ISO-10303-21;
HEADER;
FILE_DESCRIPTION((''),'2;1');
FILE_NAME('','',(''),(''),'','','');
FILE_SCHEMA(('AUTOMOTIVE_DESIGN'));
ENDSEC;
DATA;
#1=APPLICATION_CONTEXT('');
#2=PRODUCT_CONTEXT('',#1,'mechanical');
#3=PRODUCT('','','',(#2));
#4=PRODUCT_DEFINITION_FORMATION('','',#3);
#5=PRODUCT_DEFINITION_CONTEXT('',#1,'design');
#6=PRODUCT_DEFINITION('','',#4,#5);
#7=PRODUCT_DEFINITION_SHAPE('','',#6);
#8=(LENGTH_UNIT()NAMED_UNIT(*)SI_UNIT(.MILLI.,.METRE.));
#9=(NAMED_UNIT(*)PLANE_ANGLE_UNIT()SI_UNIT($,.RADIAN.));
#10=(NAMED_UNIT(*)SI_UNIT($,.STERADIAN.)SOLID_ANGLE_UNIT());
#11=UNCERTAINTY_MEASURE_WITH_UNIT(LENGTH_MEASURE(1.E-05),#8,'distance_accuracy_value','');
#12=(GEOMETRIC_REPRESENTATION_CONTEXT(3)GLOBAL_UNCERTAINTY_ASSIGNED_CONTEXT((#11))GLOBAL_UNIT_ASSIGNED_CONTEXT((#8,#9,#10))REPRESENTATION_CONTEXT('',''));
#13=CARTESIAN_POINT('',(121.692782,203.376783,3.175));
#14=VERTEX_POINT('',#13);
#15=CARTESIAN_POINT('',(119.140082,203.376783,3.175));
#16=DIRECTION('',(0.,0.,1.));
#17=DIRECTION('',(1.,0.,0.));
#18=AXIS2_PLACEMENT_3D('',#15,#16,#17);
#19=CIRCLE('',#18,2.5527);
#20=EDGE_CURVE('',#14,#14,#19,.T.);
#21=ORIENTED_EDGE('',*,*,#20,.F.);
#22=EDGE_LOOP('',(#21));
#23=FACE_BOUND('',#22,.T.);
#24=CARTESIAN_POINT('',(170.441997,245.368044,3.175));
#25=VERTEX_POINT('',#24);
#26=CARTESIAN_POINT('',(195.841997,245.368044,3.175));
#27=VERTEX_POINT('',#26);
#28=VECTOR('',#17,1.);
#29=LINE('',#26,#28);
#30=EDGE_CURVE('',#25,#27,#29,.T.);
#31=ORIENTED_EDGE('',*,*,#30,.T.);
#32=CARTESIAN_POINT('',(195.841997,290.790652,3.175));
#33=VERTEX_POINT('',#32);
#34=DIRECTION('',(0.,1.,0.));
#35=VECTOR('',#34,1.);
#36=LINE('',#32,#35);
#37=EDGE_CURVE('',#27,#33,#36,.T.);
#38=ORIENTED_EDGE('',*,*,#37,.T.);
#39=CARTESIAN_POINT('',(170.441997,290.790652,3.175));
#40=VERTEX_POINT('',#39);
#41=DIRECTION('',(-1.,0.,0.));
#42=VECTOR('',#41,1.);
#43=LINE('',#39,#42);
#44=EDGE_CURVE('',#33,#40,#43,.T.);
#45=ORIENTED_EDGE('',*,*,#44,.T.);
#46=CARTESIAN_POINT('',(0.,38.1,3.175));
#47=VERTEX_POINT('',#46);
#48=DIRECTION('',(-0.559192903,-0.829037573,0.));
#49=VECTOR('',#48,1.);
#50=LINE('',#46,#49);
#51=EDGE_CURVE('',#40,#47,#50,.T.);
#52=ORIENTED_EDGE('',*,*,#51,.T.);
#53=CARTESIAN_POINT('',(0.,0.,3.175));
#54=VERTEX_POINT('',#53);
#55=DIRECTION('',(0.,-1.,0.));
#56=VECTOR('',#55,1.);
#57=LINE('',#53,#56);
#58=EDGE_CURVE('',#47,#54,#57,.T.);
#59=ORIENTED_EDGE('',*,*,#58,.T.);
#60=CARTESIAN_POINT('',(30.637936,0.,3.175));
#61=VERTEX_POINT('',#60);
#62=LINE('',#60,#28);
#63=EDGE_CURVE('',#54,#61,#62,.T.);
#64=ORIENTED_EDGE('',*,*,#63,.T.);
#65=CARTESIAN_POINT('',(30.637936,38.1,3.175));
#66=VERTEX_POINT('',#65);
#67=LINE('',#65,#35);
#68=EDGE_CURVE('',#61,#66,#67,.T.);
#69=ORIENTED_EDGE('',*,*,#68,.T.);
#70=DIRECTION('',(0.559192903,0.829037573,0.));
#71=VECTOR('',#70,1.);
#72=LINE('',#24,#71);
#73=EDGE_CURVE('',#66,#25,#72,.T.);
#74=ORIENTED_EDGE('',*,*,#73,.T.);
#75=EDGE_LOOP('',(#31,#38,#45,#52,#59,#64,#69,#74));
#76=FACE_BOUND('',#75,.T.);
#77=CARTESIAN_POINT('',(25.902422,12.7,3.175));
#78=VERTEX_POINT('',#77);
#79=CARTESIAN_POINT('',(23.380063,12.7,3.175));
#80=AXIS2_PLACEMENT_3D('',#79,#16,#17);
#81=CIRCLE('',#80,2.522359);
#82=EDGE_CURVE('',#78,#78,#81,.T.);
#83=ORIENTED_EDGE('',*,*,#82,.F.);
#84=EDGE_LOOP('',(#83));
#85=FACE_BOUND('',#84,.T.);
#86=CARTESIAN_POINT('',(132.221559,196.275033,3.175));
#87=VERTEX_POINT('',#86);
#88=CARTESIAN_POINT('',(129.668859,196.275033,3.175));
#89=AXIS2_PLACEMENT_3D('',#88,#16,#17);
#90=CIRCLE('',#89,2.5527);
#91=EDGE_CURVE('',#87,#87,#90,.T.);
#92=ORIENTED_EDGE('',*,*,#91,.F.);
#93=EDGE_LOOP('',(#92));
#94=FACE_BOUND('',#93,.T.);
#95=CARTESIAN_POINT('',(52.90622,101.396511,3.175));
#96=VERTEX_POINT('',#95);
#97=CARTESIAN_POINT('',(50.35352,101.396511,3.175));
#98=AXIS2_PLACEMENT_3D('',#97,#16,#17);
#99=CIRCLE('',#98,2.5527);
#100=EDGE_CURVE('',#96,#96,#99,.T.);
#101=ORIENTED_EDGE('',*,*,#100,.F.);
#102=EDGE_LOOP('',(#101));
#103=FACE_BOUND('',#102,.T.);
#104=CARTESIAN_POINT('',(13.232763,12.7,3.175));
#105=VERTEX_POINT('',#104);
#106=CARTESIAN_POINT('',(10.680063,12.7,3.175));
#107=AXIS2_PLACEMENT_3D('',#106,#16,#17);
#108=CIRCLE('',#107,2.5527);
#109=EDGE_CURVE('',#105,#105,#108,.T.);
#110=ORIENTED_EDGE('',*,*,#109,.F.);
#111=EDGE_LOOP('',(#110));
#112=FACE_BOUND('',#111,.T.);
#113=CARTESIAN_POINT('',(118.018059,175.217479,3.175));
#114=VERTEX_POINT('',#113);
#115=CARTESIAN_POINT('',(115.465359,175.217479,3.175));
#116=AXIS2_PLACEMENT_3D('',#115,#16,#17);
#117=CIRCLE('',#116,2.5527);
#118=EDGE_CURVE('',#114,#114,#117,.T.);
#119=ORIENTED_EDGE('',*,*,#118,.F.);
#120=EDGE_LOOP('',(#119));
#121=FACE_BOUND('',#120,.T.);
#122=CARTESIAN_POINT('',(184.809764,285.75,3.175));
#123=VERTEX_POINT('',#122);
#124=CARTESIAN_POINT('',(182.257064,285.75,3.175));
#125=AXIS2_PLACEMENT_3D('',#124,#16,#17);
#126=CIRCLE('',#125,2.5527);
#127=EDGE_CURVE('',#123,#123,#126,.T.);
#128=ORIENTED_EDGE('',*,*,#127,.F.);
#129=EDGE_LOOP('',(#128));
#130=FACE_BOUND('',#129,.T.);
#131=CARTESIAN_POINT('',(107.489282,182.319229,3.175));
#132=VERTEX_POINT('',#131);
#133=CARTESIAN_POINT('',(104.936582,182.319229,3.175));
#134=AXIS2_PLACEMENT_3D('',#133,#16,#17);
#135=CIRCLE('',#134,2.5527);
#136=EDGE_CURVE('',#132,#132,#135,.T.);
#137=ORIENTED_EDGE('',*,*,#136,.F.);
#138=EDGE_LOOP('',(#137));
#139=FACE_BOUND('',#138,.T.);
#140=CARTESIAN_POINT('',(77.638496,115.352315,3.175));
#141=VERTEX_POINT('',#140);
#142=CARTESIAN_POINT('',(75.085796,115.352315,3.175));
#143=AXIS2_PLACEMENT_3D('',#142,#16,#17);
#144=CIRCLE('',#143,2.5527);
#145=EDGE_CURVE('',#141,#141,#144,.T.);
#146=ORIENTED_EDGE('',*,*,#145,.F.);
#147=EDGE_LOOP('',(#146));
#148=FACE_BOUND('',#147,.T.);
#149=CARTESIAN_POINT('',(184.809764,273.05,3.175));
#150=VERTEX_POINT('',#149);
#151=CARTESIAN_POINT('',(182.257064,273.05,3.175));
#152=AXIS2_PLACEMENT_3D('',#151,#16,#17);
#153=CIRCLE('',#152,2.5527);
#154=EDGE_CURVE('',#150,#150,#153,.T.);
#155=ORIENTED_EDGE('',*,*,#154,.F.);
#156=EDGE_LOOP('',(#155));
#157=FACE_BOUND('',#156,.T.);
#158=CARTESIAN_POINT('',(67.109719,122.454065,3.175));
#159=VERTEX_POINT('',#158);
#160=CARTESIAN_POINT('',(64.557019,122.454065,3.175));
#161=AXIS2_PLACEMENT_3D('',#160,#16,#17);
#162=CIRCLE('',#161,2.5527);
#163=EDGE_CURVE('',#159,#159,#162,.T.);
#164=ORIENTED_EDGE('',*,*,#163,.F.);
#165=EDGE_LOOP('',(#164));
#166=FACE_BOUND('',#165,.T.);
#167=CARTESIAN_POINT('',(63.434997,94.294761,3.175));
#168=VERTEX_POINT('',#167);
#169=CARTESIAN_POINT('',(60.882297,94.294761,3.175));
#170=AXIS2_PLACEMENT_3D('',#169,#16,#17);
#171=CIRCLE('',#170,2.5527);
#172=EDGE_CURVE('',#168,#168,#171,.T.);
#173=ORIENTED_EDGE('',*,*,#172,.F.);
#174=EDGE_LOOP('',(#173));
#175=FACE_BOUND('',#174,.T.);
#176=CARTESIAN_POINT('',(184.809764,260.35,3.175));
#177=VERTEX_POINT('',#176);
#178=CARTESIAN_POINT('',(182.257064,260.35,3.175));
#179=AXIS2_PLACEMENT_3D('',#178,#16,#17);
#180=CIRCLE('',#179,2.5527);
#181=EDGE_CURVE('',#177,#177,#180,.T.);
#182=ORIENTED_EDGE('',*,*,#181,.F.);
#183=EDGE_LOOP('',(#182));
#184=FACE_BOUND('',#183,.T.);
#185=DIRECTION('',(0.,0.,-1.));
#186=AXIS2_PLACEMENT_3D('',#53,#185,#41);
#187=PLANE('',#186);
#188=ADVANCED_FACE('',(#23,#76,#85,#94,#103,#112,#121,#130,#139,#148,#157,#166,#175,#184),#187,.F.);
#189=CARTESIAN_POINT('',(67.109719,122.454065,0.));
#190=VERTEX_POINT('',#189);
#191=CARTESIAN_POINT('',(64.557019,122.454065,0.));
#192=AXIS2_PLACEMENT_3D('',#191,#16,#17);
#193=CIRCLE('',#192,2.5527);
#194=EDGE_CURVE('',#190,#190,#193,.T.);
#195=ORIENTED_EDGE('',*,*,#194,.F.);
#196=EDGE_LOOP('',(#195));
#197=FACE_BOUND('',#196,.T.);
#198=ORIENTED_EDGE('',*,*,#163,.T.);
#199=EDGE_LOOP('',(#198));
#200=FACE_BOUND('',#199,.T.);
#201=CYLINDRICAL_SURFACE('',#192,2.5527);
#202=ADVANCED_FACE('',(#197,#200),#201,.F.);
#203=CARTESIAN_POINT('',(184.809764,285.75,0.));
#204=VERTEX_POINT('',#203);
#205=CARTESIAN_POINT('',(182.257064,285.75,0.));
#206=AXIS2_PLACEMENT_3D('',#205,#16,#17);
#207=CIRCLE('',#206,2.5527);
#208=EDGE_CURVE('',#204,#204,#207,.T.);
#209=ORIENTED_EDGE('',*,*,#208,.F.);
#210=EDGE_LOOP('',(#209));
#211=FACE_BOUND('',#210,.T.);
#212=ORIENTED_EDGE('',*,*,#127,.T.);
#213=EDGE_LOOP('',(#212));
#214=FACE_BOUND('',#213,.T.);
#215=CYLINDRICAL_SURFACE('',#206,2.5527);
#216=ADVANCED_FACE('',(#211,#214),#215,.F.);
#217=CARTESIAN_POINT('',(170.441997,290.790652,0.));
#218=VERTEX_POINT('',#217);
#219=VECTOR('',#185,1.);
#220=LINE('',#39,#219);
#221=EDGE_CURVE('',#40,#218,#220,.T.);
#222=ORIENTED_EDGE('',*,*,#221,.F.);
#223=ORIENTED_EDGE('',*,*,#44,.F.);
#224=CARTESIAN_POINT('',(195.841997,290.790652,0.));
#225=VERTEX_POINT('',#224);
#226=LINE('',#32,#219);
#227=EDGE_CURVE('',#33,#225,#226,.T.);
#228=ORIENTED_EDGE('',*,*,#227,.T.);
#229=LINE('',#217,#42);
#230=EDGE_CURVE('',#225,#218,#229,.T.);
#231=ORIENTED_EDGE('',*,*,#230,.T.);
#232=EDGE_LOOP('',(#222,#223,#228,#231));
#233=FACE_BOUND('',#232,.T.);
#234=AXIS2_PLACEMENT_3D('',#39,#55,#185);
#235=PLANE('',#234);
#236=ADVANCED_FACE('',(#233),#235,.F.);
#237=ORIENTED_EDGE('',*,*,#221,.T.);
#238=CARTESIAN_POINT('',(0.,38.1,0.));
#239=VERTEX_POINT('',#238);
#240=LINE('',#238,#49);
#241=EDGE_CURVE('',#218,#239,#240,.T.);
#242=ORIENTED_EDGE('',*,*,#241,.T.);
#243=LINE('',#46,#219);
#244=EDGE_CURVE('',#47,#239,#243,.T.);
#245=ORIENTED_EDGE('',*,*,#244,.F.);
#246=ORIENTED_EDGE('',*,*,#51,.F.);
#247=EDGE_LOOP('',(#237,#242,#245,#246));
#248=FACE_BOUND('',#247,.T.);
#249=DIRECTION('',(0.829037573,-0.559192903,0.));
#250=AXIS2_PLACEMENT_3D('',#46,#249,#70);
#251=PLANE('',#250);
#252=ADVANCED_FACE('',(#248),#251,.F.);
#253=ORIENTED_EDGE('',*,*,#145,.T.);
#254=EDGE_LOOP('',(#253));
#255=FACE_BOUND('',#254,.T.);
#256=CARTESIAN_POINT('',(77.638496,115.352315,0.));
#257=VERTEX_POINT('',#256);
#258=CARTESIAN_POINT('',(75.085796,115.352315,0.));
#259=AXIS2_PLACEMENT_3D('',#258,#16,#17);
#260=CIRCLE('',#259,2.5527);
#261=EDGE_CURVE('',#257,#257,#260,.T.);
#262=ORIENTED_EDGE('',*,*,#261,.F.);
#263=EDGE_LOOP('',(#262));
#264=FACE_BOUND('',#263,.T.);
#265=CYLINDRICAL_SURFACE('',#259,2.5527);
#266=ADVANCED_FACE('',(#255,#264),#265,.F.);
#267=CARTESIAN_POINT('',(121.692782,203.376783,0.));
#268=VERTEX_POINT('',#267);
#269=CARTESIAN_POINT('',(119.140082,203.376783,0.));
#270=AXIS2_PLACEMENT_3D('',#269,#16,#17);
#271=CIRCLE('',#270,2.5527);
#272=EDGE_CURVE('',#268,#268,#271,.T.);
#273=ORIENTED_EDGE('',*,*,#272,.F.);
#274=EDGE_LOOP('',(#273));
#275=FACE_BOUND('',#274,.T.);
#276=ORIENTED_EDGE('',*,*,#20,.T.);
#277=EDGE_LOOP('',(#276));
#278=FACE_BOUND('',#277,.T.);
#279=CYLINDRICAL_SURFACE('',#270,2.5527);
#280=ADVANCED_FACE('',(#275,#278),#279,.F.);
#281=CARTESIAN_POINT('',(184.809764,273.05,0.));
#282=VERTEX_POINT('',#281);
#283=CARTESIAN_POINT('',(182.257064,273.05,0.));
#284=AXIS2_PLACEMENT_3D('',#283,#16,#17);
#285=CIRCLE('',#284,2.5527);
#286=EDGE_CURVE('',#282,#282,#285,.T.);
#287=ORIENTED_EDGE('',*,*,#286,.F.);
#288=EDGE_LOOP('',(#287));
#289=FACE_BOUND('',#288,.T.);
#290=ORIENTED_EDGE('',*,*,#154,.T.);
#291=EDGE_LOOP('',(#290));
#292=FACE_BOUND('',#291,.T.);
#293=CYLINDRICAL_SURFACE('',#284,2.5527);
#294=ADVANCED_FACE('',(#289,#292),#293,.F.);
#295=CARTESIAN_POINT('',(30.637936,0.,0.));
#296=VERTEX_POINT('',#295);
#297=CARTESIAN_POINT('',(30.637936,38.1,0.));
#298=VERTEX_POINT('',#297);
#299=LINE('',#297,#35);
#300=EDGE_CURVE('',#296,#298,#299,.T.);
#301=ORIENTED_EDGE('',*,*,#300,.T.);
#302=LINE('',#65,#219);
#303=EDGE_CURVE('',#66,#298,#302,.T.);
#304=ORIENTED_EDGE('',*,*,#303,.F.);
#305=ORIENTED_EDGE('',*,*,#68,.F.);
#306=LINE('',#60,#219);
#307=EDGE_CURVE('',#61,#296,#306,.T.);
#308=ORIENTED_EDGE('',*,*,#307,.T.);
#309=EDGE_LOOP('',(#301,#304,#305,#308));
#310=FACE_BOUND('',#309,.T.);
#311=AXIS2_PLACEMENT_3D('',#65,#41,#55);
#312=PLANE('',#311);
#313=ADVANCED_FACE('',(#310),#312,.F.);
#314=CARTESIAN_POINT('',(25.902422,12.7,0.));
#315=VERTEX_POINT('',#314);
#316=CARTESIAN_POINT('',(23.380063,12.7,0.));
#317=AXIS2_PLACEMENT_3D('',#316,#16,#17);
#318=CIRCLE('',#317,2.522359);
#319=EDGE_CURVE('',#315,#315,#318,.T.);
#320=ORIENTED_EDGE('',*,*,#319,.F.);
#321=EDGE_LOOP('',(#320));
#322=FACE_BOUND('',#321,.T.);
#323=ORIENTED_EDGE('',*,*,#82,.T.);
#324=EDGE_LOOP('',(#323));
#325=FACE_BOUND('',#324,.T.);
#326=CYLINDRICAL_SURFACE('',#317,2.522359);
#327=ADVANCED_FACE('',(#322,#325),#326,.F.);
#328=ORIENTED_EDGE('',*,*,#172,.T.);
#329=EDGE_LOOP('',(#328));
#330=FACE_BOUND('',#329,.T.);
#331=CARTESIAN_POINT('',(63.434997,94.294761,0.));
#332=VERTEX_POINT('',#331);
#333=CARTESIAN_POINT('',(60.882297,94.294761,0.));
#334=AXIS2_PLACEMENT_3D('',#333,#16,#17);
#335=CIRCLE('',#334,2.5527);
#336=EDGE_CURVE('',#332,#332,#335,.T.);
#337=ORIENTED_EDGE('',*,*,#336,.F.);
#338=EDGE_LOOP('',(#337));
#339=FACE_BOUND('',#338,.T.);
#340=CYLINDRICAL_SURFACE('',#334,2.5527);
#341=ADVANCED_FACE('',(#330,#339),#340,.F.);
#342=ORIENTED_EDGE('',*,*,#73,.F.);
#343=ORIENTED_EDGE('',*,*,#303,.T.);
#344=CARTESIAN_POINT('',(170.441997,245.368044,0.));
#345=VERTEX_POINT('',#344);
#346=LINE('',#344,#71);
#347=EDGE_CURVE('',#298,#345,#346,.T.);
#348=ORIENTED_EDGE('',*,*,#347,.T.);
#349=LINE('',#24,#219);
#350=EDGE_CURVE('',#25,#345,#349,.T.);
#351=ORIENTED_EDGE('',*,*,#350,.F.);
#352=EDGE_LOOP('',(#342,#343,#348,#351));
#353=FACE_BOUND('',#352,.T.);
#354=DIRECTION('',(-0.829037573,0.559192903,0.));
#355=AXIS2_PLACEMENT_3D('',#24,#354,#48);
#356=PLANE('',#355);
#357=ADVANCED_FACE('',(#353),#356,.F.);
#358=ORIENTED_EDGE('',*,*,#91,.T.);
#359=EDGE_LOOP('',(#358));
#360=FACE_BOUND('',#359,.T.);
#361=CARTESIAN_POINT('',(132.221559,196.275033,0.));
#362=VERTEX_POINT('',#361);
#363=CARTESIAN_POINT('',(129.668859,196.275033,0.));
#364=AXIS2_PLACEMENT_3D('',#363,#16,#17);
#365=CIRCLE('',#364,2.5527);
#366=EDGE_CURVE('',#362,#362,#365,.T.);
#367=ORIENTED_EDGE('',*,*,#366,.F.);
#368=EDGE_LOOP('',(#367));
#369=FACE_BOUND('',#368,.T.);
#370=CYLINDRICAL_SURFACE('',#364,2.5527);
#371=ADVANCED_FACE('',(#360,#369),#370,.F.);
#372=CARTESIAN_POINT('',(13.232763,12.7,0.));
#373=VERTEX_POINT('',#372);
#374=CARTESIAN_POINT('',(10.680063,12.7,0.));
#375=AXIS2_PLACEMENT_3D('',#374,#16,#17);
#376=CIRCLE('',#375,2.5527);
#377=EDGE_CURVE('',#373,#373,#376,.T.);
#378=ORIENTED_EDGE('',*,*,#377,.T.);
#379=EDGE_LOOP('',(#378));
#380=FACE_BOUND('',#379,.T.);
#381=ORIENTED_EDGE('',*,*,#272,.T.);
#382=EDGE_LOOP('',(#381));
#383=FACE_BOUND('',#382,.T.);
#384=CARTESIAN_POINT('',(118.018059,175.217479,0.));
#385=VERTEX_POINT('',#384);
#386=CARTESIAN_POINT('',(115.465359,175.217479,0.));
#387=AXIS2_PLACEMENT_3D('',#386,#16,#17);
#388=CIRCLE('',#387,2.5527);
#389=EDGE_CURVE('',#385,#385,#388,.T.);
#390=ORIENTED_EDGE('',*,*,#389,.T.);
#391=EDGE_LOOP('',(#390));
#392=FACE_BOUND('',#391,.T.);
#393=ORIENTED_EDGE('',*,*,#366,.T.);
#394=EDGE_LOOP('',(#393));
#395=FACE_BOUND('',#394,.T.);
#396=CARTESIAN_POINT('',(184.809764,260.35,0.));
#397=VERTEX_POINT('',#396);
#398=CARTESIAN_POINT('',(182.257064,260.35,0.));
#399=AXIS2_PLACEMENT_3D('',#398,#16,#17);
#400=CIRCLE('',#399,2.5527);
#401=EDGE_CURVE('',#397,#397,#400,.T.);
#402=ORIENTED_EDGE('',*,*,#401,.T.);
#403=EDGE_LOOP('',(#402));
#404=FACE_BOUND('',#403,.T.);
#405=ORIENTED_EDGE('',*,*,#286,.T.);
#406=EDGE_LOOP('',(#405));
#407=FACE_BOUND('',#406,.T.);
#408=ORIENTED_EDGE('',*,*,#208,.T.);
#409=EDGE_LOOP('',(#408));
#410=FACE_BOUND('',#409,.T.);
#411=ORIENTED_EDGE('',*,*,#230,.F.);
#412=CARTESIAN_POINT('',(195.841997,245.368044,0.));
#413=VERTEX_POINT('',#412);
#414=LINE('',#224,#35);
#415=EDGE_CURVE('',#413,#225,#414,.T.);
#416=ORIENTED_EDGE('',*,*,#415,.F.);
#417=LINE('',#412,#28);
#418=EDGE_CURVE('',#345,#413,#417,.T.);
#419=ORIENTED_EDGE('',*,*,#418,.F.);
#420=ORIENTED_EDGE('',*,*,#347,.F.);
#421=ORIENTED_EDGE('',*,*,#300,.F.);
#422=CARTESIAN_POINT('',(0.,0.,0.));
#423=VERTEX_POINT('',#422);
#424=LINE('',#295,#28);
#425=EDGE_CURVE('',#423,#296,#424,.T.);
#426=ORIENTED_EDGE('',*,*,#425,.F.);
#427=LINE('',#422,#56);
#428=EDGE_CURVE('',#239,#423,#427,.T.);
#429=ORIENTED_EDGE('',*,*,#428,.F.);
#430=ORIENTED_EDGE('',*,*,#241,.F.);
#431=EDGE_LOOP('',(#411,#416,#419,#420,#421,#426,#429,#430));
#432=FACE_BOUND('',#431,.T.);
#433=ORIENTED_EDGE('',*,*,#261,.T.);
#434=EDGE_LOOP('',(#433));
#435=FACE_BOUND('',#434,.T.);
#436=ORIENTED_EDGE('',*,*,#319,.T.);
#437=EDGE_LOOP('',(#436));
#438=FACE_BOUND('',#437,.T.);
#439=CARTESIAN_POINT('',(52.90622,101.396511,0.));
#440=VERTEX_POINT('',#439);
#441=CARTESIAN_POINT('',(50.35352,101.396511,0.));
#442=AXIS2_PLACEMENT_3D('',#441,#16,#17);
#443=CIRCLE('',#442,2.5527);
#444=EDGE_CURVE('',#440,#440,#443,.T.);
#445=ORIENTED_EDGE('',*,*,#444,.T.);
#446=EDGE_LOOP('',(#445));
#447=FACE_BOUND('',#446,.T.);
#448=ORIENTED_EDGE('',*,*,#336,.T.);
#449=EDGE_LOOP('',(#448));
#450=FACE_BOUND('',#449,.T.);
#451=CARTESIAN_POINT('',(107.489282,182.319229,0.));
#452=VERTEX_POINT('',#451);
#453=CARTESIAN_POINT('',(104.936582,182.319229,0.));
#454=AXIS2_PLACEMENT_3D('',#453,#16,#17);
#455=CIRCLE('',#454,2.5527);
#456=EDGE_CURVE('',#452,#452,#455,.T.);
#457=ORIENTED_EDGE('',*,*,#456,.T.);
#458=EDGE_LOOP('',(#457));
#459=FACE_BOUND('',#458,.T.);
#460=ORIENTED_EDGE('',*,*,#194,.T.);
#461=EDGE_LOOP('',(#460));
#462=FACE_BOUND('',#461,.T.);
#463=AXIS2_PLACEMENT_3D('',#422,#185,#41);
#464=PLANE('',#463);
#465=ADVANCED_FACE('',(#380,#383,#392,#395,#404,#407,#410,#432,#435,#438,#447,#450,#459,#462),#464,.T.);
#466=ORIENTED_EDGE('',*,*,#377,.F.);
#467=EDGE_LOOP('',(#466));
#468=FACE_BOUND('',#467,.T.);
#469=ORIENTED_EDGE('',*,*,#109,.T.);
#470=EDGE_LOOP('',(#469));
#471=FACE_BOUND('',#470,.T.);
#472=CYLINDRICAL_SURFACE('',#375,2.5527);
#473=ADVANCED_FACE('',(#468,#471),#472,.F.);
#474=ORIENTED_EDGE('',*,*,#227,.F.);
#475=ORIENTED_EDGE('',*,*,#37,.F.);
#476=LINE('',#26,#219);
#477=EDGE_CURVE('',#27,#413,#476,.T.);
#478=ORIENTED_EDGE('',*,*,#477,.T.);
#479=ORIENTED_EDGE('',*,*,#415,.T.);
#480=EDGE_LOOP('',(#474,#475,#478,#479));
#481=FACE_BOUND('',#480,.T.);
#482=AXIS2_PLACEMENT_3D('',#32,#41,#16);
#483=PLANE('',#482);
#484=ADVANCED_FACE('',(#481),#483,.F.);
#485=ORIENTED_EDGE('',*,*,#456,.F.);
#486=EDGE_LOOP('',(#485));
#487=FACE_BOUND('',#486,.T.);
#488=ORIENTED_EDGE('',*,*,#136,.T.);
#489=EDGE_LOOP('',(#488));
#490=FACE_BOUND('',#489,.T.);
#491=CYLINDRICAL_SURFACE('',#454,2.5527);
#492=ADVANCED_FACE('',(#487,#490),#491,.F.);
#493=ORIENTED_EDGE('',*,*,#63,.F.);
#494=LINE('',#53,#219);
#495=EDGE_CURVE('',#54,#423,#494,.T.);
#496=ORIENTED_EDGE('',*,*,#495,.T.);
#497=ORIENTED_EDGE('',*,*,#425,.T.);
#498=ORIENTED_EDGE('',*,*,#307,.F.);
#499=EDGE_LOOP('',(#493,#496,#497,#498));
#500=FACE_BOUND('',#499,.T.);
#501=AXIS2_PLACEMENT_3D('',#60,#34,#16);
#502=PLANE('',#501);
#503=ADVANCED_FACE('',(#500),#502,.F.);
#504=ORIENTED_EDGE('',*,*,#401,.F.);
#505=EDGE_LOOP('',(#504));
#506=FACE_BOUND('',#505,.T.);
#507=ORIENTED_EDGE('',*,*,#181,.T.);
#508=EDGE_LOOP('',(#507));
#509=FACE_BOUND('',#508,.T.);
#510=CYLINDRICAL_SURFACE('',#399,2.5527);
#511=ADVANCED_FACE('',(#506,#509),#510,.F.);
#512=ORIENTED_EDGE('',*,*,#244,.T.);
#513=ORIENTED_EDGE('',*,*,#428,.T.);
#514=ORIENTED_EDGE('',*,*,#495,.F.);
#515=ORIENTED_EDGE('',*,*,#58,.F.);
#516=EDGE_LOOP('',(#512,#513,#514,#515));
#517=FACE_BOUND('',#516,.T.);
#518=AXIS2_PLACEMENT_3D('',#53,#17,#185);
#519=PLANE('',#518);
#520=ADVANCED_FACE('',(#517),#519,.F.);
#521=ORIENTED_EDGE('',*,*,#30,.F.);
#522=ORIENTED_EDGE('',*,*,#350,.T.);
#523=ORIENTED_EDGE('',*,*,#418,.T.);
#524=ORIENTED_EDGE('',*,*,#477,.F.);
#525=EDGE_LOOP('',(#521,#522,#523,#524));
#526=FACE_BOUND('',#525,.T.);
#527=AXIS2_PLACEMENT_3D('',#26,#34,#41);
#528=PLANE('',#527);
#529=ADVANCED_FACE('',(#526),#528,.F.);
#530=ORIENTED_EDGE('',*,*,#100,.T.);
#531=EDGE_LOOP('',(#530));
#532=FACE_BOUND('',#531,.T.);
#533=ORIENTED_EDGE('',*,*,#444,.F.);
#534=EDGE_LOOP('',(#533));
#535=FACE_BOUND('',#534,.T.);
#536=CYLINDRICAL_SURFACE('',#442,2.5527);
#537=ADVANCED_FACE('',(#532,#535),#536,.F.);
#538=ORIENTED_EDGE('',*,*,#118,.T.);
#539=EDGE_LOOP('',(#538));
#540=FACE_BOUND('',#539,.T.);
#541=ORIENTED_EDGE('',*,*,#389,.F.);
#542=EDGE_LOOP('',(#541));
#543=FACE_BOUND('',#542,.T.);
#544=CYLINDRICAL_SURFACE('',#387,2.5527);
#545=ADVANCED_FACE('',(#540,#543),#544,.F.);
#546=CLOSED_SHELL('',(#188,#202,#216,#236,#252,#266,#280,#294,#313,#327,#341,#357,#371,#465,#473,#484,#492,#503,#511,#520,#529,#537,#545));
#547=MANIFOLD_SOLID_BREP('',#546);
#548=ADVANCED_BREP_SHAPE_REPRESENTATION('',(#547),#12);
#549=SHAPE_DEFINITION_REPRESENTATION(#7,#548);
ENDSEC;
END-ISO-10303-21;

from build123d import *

# Parameters (mm, degrees)
BOSS_EXTRUDE1_DEPTH = 3.175
SKETCH2_R           = 2.5527
SKETCH2_R_2         = 2.522358926
CUT_EXTRUDE1_DEPTH  = 351.604295129
SKETCH3_R           = 2.5527
CUT_EXTRUDE2_DEPTH  = 351.604295129


with BuildPart() as part:
    # Sketch1 → Boss-Extrude1 (new body)
    with BuildSketch(Plane.XY):
        Polygon((0, 0), (0, 38.1), (170.441996978, 290.790652115), (195.841996978, 290.790652115), (195.841996978, 245.368044206), (170.441996978, 245.368044206), (30.637935892, 38.1), (30.637935892, 0), align=None)
    extrude(amount=BOSS_EXTRUDE1_DEPTH)

    # Sketch2 → Cut-Extrude1 (cut, through all)
    with BuildSketch(Plane.XY.offset(3.175)):
        with Locations((182.257063518, 285.750000017)):
            Circle(SKETCH2_R)
        with Locations((182.257063518, 273.050000017)):
            Circle(SKETCH2_R)
        with Locations((23.380063476, 12.7)):
            Circle(SKETCH2_R_2)
        with Locations((10.680063476, 12.7)):
            Circle(SKETCH2_R)
        with Locations((182.257063518, 260.350000017)):
            Circle(SKETCH2_R)
    extrude(amount=-CUT_EXTRUDE1_DEPTH, mode=Mode.SUBTRACT)

    # Sketch3 → Cut-Extrude2 (cut, through all)
    with BuildSketch(Plane.XY.offset(3.175)):
        with Locations((104.936582102, 182.319228816)):
            Circle(SKETCH3_R)
        with Locations((129.668859022, 196.275033285)):
            Circle(SKETCH3_R)
        with Locations((119.14008185, 203.376783159)):
            Circle(SKETCH3_R)
        with Locations((115.465359274, 175.217478942)):
            Circle(SKETCH3_R)
        with Locations((50.353519505, 101.396510668)):
            Circle(SKETCH3_R)
        with Locations((64.557019253, 122.454065011)):
            Circle(SKETCH3_R)
        with Locations((75.085796425, 115.352315137)):
            Circle(SKETCH3_R)
        with Locations((60.882296677, 94.294760794)):
            Circle(SKETCH3_R)
    extrude(amount=-CUT_EXTRUDE2_DEPTH, mode=Mode.SUBTRACT)


solid = part.part
